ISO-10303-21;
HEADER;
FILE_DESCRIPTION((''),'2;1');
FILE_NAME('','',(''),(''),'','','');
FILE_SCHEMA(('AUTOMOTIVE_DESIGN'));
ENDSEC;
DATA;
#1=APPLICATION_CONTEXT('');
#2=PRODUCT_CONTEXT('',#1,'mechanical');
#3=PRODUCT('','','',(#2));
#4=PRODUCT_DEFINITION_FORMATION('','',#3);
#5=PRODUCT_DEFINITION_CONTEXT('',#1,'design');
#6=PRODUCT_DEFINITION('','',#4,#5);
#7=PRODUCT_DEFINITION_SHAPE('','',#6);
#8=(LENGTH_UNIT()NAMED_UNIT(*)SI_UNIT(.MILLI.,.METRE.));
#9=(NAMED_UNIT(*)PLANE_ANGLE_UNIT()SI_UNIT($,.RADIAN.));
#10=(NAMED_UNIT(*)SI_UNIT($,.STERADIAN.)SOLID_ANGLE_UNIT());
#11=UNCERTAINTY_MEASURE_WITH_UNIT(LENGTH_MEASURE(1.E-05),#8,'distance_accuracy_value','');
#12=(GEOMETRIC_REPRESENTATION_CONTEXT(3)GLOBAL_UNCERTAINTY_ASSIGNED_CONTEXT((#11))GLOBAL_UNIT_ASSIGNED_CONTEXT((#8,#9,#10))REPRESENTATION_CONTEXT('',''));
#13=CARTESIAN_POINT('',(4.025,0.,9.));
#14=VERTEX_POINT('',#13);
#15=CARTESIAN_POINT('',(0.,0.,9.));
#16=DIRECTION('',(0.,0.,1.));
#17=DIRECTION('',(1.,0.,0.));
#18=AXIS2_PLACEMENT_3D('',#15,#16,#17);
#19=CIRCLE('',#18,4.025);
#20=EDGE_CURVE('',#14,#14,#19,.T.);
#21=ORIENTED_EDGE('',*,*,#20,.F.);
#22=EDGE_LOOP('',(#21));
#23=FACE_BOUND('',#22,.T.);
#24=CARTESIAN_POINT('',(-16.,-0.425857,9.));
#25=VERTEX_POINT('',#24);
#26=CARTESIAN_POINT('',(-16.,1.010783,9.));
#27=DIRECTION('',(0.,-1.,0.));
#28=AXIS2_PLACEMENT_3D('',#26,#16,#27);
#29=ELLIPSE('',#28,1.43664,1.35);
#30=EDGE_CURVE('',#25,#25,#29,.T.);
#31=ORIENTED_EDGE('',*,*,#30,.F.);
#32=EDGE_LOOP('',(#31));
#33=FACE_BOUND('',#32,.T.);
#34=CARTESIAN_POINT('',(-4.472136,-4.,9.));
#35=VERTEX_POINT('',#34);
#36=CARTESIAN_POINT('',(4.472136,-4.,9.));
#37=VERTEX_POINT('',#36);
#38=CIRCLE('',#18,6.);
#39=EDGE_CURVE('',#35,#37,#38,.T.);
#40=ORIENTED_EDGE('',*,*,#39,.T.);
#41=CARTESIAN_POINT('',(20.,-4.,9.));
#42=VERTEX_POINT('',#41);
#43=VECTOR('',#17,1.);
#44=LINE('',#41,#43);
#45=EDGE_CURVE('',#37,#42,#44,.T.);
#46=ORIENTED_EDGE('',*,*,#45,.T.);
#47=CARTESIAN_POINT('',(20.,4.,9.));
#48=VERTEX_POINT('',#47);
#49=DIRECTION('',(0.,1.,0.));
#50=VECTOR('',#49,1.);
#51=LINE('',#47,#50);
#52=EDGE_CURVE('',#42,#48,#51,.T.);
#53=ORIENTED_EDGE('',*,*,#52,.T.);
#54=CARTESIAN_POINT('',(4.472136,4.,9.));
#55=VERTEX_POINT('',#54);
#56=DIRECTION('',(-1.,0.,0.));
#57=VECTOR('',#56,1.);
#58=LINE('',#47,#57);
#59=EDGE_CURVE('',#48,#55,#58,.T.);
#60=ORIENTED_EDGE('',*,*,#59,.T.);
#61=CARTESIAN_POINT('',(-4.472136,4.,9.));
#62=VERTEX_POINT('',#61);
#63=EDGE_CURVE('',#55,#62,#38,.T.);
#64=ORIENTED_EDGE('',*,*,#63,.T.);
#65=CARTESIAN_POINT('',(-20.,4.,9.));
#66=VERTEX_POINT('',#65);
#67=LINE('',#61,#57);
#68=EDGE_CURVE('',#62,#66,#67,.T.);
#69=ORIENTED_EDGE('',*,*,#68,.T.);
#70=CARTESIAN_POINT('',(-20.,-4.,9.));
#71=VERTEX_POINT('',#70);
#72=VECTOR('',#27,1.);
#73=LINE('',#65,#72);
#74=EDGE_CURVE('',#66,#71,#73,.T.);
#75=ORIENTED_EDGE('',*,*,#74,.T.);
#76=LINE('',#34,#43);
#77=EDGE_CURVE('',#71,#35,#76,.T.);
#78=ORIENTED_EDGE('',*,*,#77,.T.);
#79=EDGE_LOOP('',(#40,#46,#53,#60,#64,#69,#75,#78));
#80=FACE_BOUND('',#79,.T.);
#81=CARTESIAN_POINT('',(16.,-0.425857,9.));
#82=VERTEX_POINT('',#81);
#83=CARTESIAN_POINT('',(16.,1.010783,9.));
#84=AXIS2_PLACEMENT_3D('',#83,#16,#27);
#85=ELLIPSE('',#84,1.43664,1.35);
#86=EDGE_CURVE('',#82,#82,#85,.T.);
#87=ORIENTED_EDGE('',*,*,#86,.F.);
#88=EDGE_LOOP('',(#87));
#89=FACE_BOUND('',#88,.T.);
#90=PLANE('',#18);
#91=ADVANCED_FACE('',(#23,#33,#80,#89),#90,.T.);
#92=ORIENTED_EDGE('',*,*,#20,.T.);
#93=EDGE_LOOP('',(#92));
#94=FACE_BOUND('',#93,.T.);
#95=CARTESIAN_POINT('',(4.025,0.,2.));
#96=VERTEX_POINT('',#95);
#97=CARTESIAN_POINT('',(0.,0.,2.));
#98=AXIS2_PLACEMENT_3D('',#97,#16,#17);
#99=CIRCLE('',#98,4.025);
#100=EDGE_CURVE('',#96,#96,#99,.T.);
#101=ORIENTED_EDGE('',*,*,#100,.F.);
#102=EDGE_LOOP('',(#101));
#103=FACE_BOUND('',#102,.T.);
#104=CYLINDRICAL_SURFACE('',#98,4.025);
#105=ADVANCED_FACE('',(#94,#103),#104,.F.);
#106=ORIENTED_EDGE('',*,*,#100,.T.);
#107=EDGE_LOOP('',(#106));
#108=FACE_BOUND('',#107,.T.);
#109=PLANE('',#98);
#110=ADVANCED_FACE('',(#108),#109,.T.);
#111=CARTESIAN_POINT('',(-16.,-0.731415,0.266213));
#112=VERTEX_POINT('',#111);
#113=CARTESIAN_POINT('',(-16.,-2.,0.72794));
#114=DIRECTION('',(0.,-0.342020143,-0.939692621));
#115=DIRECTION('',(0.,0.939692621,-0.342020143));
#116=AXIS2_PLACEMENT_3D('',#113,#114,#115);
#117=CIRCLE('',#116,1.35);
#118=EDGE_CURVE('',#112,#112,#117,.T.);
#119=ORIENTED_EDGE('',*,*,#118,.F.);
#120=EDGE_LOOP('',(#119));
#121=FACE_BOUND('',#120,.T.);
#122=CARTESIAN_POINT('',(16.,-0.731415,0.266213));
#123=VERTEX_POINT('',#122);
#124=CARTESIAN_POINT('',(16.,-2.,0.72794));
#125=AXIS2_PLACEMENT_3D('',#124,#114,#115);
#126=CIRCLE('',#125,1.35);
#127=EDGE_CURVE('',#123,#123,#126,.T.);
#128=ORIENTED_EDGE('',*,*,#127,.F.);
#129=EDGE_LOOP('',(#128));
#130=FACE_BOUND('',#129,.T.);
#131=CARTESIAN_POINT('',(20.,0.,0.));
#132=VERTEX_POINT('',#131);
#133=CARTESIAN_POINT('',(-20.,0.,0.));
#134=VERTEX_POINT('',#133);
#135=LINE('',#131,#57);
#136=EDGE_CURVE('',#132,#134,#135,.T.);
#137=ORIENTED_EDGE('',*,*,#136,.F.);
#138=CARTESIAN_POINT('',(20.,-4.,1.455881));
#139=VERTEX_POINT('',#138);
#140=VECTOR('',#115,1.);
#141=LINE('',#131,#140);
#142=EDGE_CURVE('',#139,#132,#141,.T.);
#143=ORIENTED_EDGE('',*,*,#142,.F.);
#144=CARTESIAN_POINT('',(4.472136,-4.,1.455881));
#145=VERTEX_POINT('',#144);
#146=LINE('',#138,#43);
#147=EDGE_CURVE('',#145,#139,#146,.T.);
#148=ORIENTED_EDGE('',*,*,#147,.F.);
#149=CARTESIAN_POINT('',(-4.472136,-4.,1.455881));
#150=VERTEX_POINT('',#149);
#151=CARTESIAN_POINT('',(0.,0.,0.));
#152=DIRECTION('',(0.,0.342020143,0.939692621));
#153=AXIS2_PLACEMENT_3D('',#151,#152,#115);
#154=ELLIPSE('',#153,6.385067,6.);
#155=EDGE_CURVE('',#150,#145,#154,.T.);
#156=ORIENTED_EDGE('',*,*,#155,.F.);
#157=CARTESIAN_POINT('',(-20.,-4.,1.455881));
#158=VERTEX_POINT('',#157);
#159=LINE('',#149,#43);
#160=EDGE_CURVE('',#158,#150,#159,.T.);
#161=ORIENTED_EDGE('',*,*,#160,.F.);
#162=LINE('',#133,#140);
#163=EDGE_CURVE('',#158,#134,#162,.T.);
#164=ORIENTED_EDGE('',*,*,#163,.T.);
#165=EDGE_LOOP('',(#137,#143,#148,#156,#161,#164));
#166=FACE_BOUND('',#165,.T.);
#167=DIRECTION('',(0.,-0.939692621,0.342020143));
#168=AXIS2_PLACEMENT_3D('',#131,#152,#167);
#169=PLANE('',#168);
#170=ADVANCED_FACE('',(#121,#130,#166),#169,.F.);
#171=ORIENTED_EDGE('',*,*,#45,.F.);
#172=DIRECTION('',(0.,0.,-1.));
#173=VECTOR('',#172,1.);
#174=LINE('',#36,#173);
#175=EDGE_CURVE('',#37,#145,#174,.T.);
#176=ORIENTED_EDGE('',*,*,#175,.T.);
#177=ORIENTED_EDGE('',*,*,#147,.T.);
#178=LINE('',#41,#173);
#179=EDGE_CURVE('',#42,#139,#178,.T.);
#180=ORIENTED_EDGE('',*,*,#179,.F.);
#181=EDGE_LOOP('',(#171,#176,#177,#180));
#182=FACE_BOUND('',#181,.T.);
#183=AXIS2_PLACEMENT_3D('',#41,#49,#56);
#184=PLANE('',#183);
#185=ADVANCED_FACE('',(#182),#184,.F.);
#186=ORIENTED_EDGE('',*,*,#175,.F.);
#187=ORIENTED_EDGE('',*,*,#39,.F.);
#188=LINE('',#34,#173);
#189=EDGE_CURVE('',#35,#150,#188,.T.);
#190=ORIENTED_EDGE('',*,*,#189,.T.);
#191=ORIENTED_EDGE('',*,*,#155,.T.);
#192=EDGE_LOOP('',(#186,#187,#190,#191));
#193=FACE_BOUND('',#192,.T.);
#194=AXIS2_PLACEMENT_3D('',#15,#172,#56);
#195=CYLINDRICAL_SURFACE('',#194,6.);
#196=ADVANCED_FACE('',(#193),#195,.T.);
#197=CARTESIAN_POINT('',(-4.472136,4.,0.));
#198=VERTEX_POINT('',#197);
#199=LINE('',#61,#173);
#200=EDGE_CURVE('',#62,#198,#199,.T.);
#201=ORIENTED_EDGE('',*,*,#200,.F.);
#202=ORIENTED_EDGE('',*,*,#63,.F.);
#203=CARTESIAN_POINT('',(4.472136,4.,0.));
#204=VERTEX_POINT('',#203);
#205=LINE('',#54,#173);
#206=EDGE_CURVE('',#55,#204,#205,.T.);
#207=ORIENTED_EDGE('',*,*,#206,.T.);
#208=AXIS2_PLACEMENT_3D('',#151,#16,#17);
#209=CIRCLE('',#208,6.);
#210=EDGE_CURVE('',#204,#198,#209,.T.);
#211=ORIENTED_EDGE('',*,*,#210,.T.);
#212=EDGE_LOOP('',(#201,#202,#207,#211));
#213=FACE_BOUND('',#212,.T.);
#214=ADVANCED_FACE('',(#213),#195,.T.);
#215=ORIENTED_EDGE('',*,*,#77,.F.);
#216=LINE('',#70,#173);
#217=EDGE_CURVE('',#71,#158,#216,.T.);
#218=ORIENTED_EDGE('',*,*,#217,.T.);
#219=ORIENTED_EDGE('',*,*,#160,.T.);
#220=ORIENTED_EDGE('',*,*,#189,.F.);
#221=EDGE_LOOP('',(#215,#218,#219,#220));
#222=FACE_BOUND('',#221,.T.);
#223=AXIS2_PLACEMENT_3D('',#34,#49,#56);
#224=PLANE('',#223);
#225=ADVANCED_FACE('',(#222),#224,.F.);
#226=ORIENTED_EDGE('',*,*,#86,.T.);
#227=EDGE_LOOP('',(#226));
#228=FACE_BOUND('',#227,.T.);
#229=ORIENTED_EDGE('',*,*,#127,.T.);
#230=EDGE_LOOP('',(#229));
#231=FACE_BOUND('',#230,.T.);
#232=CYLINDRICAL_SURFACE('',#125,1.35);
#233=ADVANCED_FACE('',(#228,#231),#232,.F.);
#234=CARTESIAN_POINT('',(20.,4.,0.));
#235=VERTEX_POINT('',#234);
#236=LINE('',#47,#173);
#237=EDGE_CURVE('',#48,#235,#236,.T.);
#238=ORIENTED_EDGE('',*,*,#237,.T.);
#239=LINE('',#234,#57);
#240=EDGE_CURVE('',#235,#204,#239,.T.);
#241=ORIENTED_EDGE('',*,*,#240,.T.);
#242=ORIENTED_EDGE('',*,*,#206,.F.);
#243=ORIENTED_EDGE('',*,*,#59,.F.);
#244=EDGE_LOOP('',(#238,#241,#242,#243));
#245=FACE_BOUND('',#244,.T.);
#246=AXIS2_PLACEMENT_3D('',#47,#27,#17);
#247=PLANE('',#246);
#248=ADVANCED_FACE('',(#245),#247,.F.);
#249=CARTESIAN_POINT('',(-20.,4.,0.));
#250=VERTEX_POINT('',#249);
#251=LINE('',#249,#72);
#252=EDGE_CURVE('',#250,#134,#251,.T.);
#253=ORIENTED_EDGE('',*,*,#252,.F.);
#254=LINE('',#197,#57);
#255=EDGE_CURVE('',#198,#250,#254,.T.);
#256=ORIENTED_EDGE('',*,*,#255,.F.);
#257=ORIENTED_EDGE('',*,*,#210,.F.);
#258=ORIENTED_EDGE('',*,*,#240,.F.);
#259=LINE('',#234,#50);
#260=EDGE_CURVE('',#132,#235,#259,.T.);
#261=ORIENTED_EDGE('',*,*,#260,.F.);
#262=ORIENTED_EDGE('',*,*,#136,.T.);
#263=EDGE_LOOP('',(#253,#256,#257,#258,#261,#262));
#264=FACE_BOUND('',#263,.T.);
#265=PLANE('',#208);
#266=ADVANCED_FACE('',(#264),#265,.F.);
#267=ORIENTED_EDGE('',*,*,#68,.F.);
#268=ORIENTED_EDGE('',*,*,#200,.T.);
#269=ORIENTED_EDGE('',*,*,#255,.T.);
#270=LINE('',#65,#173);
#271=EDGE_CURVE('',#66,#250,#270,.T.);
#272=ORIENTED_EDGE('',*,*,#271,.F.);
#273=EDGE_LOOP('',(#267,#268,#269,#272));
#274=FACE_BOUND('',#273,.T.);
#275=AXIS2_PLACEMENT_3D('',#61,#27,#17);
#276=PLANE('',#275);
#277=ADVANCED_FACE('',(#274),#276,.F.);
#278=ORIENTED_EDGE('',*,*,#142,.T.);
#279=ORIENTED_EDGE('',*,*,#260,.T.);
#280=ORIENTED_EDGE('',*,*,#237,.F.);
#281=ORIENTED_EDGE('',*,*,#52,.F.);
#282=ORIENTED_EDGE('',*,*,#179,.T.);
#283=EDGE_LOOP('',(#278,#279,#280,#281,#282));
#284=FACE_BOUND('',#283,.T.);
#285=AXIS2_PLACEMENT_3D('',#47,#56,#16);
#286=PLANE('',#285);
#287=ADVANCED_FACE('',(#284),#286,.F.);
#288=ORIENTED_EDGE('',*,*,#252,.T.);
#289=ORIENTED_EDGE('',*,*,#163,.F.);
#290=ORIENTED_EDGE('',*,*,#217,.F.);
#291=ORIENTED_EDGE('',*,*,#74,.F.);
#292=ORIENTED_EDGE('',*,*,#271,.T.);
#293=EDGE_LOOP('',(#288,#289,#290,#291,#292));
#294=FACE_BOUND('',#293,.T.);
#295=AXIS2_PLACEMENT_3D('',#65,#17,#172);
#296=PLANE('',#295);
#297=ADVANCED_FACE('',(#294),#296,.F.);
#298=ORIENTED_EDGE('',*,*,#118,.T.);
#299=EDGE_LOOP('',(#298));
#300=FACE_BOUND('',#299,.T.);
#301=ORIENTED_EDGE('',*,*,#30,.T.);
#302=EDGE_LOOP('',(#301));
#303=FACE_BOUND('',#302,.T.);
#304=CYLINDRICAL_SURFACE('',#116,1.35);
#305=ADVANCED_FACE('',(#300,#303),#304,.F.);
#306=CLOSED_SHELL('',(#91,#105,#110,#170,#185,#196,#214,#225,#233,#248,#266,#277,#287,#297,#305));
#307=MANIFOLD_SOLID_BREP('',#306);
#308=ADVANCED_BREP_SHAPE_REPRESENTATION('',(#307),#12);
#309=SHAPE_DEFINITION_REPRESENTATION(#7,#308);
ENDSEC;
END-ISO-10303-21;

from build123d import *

# Parameters (mm, degrees)
BOSS_EXTRUDE1_DEPTH        = 9
SKETCH11_R                 = 4.025
CUT_EXTRUDE4_DEPTH         = 7
CUT_EXTRUDE2_DEPTH         = 42.43669871
F_2_7_2_7_DIAMETER_HOLE1_D = 2.7


with BuildPart() as part:
    # Sketch1 → Boss-Extrude1 (new body)
    with BuildSketch(Plane.XY):
        with BuildLine():
            Line((-4.472135955, 4), (-20, 4))
            Line((-20, 4), (-20, -4))
            Line((-20, -4), (-4.472135955, -4))
            ThreePointArc((-4.472135955, -4), (0, -6), (4.472135955, -4))
            Line((4.472135955, -4), (20, -4))
            Line((20, -4), (20, 4))
            Line((20, 4), (4.472135955, 4))
            ThreePointArc((4.472135955, 4), (0, 6), (-4.472135955, 4))
        make_face()
    extrude(amount=BOSS_EXTRUDE1_DEPTH)

    # Sketch11 → Cut-Extrude4 (cut)
    with BuildSketch(Plane.XY.offset(9)):
        Circle(SKETCH11_R)
    extrude(amount=-CUT_EXTRUDE4_DEPTH, mode=Mode.SUBTRACT)

    # Sketch5 → Cut-Extrude2 (cut, through all)
    with BuildSketch(Plane.ZY.offset(20)):
        Polygon((0, 0), (2.183821406, -6), (0, -6), align=None)
    extrude(amount=-CUT_EXTRUDE2_DEPTH, mode=Mode.SUBTRACT)

    # Ø2.7 (2.7) Diameter Hole1 (through all)
    with Locations(Plane(origin=(0, 0, 0), x_dir=(-1, 0, 0), z_dir=(0, -0.34202014332566316, -0.9396926207859104))):
        with Locations((-16, -2.128355545), (16, -2.128355545)):
            Hole(F_2_7_2_7_DIAMETER_HOLE1_D / 2)


solid = part.part
